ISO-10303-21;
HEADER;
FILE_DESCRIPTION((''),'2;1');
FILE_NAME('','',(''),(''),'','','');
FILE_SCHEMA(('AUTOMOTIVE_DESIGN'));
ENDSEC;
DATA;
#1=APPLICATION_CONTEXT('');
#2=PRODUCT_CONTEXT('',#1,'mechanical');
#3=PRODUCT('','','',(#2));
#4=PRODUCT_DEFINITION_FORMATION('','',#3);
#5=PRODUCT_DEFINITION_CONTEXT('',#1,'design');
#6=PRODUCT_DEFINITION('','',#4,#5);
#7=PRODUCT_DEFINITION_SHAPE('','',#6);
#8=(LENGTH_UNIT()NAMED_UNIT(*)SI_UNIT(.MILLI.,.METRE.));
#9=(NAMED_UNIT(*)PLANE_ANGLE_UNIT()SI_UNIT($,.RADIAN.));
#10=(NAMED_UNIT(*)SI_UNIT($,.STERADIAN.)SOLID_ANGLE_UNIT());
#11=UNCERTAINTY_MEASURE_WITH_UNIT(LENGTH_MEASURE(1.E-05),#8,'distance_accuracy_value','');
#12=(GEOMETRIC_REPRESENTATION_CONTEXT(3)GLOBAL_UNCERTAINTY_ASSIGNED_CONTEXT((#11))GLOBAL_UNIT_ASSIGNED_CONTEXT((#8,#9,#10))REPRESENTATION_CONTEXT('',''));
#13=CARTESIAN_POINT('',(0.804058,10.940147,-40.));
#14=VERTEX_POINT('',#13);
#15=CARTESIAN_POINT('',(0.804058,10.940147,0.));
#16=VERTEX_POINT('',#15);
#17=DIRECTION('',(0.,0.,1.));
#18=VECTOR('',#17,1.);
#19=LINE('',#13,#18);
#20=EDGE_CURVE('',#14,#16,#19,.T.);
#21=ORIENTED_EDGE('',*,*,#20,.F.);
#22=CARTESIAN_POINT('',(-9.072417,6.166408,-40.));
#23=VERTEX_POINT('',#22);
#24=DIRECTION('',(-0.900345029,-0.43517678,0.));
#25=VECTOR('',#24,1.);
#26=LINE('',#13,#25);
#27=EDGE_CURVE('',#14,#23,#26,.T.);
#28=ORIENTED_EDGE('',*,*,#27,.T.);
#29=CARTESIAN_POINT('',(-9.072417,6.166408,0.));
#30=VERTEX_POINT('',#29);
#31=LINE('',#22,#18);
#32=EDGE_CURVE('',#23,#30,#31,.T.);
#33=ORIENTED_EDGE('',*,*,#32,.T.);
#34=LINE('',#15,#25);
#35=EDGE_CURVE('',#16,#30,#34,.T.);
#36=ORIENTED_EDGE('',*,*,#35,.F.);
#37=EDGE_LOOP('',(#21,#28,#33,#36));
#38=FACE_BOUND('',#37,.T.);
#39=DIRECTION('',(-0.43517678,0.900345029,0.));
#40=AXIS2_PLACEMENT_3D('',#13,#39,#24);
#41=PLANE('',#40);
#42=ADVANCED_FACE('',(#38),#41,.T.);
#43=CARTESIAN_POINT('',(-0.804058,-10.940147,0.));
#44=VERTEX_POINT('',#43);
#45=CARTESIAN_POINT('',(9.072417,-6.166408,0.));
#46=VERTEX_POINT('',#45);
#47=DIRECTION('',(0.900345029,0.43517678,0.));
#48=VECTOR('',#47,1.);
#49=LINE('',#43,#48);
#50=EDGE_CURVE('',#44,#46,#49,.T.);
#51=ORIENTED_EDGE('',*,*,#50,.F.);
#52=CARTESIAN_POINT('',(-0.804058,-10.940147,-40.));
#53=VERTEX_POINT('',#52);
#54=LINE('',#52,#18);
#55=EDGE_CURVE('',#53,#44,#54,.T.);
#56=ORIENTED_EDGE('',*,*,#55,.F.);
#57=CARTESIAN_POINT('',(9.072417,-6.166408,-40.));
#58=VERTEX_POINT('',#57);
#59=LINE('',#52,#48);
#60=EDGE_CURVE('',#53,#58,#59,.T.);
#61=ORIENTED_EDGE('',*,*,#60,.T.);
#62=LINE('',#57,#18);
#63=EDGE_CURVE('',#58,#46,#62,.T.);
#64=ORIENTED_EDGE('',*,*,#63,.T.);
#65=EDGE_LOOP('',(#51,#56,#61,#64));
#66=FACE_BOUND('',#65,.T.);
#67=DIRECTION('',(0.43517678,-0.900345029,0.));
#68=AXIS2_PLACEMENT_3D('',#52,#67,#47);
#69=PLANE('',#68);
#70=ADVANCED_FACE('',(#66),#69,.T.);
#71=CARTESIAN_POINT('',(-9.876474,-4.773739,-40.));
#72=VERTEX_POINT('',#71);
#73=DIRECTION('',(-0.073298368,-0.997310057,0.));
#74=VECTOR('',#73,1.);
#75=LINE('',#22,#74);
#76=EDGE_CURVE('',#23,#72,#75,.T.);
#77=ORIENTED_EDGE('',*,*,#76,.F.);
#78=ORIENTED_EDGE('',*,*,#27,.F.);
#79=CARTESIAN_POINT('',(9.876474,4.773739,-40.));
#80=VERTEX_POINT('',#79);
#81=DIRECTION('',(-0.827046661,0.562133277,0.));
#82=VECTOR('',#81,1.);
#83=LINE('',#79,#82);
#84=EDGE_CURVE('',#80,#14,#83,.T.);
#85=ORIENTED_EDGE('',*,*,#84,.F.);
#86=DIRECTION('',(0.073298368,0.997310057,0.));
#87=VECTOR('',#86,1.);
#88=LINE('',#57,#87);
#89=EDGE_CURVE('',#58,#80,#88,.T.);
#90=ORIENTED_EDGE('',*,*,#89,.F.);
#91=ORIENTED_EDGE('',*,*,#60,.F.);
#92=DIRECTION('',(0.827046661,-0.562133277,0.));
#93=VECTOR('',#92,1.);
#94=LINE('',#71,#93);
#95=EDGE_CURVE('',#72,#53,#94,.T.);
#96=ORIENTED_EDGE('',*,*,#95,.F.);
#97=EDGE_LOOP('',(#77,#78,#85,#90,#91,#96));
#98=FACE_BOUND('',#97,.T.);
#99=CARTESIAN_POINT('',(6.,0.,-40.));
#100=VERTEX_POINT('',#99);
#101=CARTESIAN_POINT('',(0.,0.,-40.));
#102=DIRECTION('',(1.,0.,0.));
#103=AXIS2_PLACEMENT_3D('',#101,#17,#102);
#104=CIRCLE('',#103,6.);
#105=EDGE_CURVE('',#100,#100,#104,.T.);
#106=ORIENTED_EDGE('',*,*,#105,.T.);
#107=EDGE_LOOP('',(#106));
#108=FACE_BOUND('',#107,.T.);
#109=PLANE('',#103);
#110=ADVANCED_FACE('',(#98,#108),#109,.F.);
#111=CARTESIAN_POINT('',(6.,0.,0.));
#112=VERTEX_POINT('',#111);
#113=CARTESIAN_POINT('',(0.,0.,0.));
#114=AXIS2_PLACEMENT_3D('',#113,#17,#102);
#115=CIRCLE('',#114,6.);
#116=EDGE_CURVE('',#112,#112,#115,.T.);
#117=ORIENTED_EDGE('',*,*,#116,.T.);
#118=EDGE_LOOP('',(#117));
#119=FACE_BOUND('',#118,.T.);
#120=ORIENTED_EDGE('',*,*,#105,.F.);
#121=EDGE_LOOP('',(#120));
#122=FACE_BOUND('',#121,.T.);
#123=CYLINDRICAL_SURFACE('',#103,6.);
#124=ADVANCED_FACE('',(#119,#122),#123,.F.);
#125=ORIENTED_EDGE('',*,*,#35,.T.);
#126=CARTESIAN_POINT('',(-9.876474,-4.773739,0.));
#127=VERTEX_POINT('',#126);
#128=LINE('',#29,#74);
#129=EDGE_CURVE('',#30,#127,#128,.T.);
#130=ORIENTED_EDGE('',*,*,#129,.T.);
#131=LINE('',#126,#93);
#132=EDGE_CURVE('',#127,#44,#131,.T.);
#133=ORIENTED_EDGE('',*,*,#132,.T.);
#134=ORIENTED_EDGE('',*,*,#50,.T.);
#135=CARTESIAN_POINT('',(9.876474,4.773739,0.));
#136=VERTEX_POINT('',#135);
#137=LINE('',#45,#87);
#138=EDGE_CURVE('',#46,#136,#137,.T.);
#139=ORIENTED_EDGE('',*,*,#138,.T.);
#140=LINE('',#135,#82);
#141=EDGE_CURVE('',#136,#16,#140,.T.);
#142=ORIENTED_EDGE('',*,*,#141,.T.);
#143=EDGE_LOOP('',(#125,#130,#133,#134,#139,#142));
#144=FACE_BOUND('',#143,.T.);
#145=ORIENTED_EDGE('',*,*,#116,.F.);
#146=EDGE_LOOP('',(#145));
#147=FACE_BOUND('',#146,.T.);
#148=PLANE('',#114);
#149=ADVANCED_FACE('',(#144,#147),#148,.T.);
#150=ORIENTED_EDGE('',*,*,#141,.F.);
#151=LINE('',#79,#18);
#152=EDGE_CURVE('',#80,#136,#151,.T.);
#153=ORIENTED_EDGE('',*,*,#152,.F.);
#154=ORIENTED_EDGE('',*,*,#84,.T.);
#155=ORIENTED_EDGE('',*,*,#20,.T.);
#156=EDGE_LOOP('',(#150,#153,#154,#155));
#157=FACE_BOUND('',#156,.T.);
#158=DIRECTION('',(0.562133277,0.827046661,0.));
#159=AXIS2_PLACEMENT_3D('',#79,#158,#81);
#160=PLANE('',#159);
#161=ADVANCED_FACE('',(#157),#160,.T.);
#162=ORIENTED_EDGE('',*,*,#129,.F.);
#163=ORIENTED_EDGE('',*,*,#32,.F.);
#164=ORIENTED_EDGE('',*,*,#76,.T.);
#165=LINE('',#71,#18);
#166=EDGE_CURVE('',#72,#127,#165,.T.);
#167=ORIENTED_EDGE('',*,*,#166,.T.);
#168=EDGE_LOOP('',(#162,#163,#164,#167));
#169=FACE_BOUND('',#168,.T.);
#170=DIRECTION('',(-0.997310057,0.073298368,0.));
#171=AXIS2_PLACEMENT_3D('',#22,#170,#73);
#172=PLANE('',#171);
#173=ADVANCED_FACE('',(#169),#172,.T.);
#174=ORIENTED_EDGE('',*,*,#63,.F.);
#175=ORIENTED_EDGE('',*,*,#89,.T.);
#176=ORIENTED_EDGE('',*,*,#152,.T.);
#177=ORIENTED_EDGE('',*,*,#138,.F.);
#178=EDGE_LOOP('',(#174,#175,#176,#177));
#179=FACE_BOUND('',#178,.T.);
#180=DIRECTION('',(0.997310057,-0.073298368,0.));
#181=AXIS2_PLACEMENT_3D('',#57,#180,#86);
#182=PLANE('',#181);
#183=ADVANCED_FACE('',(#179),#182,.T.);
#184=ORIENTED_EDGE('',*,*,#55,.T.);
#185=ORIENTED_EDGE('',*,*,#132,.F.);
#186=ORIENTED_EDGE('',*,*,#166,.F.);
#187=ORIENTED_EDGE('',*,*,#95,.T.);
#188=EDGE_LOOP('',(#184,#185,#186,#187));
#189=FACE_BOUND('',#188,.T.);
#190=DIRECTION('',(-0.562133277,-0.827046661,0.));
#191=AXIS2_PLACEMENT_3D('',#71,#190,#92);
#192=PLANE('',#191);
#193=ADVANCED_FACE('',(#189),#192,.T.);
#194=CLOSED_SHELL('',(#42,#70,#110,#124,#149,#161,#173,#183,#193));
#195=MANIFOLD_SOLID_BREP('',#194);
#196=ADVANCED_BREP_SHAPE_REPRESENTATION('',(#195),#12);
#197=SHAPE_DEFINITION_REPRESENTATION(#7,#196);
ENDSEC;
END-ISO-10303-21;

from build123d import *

# Parameters (mm, degrees)
EXTRUDE_1_DEPTH     = 40
SKETCH_4_R          = 6
CUT_EXTRUDE_1_DEPTH = 43.628999189


with BuildPart() as part:
    # 스케치3 → 보스-돌출1 (new body)
    with BuildSketch(Plane.XY):
        Polygon((9.07241663, -6.166408178), (9.876474448, 4.773739186), (0.804057817, 10.940147365), (-9.07241663, 6.166408178), (-9.876474448, -4.773739186), (-0.804057817, -10.940147365), align=None)
    extrude(amount=-EXTRUDE_1_DEPTH)

    # 스케치4 → 컷-돌출1 (cut, through all)
    with BuildSketch(Plane.XY):
        Circle(SKETCH_4_R)
    extrude(amount=-CUT_EXTRUDE_1_DEPTH, mode=Mode.SUBTRACT)


solid = part.part
